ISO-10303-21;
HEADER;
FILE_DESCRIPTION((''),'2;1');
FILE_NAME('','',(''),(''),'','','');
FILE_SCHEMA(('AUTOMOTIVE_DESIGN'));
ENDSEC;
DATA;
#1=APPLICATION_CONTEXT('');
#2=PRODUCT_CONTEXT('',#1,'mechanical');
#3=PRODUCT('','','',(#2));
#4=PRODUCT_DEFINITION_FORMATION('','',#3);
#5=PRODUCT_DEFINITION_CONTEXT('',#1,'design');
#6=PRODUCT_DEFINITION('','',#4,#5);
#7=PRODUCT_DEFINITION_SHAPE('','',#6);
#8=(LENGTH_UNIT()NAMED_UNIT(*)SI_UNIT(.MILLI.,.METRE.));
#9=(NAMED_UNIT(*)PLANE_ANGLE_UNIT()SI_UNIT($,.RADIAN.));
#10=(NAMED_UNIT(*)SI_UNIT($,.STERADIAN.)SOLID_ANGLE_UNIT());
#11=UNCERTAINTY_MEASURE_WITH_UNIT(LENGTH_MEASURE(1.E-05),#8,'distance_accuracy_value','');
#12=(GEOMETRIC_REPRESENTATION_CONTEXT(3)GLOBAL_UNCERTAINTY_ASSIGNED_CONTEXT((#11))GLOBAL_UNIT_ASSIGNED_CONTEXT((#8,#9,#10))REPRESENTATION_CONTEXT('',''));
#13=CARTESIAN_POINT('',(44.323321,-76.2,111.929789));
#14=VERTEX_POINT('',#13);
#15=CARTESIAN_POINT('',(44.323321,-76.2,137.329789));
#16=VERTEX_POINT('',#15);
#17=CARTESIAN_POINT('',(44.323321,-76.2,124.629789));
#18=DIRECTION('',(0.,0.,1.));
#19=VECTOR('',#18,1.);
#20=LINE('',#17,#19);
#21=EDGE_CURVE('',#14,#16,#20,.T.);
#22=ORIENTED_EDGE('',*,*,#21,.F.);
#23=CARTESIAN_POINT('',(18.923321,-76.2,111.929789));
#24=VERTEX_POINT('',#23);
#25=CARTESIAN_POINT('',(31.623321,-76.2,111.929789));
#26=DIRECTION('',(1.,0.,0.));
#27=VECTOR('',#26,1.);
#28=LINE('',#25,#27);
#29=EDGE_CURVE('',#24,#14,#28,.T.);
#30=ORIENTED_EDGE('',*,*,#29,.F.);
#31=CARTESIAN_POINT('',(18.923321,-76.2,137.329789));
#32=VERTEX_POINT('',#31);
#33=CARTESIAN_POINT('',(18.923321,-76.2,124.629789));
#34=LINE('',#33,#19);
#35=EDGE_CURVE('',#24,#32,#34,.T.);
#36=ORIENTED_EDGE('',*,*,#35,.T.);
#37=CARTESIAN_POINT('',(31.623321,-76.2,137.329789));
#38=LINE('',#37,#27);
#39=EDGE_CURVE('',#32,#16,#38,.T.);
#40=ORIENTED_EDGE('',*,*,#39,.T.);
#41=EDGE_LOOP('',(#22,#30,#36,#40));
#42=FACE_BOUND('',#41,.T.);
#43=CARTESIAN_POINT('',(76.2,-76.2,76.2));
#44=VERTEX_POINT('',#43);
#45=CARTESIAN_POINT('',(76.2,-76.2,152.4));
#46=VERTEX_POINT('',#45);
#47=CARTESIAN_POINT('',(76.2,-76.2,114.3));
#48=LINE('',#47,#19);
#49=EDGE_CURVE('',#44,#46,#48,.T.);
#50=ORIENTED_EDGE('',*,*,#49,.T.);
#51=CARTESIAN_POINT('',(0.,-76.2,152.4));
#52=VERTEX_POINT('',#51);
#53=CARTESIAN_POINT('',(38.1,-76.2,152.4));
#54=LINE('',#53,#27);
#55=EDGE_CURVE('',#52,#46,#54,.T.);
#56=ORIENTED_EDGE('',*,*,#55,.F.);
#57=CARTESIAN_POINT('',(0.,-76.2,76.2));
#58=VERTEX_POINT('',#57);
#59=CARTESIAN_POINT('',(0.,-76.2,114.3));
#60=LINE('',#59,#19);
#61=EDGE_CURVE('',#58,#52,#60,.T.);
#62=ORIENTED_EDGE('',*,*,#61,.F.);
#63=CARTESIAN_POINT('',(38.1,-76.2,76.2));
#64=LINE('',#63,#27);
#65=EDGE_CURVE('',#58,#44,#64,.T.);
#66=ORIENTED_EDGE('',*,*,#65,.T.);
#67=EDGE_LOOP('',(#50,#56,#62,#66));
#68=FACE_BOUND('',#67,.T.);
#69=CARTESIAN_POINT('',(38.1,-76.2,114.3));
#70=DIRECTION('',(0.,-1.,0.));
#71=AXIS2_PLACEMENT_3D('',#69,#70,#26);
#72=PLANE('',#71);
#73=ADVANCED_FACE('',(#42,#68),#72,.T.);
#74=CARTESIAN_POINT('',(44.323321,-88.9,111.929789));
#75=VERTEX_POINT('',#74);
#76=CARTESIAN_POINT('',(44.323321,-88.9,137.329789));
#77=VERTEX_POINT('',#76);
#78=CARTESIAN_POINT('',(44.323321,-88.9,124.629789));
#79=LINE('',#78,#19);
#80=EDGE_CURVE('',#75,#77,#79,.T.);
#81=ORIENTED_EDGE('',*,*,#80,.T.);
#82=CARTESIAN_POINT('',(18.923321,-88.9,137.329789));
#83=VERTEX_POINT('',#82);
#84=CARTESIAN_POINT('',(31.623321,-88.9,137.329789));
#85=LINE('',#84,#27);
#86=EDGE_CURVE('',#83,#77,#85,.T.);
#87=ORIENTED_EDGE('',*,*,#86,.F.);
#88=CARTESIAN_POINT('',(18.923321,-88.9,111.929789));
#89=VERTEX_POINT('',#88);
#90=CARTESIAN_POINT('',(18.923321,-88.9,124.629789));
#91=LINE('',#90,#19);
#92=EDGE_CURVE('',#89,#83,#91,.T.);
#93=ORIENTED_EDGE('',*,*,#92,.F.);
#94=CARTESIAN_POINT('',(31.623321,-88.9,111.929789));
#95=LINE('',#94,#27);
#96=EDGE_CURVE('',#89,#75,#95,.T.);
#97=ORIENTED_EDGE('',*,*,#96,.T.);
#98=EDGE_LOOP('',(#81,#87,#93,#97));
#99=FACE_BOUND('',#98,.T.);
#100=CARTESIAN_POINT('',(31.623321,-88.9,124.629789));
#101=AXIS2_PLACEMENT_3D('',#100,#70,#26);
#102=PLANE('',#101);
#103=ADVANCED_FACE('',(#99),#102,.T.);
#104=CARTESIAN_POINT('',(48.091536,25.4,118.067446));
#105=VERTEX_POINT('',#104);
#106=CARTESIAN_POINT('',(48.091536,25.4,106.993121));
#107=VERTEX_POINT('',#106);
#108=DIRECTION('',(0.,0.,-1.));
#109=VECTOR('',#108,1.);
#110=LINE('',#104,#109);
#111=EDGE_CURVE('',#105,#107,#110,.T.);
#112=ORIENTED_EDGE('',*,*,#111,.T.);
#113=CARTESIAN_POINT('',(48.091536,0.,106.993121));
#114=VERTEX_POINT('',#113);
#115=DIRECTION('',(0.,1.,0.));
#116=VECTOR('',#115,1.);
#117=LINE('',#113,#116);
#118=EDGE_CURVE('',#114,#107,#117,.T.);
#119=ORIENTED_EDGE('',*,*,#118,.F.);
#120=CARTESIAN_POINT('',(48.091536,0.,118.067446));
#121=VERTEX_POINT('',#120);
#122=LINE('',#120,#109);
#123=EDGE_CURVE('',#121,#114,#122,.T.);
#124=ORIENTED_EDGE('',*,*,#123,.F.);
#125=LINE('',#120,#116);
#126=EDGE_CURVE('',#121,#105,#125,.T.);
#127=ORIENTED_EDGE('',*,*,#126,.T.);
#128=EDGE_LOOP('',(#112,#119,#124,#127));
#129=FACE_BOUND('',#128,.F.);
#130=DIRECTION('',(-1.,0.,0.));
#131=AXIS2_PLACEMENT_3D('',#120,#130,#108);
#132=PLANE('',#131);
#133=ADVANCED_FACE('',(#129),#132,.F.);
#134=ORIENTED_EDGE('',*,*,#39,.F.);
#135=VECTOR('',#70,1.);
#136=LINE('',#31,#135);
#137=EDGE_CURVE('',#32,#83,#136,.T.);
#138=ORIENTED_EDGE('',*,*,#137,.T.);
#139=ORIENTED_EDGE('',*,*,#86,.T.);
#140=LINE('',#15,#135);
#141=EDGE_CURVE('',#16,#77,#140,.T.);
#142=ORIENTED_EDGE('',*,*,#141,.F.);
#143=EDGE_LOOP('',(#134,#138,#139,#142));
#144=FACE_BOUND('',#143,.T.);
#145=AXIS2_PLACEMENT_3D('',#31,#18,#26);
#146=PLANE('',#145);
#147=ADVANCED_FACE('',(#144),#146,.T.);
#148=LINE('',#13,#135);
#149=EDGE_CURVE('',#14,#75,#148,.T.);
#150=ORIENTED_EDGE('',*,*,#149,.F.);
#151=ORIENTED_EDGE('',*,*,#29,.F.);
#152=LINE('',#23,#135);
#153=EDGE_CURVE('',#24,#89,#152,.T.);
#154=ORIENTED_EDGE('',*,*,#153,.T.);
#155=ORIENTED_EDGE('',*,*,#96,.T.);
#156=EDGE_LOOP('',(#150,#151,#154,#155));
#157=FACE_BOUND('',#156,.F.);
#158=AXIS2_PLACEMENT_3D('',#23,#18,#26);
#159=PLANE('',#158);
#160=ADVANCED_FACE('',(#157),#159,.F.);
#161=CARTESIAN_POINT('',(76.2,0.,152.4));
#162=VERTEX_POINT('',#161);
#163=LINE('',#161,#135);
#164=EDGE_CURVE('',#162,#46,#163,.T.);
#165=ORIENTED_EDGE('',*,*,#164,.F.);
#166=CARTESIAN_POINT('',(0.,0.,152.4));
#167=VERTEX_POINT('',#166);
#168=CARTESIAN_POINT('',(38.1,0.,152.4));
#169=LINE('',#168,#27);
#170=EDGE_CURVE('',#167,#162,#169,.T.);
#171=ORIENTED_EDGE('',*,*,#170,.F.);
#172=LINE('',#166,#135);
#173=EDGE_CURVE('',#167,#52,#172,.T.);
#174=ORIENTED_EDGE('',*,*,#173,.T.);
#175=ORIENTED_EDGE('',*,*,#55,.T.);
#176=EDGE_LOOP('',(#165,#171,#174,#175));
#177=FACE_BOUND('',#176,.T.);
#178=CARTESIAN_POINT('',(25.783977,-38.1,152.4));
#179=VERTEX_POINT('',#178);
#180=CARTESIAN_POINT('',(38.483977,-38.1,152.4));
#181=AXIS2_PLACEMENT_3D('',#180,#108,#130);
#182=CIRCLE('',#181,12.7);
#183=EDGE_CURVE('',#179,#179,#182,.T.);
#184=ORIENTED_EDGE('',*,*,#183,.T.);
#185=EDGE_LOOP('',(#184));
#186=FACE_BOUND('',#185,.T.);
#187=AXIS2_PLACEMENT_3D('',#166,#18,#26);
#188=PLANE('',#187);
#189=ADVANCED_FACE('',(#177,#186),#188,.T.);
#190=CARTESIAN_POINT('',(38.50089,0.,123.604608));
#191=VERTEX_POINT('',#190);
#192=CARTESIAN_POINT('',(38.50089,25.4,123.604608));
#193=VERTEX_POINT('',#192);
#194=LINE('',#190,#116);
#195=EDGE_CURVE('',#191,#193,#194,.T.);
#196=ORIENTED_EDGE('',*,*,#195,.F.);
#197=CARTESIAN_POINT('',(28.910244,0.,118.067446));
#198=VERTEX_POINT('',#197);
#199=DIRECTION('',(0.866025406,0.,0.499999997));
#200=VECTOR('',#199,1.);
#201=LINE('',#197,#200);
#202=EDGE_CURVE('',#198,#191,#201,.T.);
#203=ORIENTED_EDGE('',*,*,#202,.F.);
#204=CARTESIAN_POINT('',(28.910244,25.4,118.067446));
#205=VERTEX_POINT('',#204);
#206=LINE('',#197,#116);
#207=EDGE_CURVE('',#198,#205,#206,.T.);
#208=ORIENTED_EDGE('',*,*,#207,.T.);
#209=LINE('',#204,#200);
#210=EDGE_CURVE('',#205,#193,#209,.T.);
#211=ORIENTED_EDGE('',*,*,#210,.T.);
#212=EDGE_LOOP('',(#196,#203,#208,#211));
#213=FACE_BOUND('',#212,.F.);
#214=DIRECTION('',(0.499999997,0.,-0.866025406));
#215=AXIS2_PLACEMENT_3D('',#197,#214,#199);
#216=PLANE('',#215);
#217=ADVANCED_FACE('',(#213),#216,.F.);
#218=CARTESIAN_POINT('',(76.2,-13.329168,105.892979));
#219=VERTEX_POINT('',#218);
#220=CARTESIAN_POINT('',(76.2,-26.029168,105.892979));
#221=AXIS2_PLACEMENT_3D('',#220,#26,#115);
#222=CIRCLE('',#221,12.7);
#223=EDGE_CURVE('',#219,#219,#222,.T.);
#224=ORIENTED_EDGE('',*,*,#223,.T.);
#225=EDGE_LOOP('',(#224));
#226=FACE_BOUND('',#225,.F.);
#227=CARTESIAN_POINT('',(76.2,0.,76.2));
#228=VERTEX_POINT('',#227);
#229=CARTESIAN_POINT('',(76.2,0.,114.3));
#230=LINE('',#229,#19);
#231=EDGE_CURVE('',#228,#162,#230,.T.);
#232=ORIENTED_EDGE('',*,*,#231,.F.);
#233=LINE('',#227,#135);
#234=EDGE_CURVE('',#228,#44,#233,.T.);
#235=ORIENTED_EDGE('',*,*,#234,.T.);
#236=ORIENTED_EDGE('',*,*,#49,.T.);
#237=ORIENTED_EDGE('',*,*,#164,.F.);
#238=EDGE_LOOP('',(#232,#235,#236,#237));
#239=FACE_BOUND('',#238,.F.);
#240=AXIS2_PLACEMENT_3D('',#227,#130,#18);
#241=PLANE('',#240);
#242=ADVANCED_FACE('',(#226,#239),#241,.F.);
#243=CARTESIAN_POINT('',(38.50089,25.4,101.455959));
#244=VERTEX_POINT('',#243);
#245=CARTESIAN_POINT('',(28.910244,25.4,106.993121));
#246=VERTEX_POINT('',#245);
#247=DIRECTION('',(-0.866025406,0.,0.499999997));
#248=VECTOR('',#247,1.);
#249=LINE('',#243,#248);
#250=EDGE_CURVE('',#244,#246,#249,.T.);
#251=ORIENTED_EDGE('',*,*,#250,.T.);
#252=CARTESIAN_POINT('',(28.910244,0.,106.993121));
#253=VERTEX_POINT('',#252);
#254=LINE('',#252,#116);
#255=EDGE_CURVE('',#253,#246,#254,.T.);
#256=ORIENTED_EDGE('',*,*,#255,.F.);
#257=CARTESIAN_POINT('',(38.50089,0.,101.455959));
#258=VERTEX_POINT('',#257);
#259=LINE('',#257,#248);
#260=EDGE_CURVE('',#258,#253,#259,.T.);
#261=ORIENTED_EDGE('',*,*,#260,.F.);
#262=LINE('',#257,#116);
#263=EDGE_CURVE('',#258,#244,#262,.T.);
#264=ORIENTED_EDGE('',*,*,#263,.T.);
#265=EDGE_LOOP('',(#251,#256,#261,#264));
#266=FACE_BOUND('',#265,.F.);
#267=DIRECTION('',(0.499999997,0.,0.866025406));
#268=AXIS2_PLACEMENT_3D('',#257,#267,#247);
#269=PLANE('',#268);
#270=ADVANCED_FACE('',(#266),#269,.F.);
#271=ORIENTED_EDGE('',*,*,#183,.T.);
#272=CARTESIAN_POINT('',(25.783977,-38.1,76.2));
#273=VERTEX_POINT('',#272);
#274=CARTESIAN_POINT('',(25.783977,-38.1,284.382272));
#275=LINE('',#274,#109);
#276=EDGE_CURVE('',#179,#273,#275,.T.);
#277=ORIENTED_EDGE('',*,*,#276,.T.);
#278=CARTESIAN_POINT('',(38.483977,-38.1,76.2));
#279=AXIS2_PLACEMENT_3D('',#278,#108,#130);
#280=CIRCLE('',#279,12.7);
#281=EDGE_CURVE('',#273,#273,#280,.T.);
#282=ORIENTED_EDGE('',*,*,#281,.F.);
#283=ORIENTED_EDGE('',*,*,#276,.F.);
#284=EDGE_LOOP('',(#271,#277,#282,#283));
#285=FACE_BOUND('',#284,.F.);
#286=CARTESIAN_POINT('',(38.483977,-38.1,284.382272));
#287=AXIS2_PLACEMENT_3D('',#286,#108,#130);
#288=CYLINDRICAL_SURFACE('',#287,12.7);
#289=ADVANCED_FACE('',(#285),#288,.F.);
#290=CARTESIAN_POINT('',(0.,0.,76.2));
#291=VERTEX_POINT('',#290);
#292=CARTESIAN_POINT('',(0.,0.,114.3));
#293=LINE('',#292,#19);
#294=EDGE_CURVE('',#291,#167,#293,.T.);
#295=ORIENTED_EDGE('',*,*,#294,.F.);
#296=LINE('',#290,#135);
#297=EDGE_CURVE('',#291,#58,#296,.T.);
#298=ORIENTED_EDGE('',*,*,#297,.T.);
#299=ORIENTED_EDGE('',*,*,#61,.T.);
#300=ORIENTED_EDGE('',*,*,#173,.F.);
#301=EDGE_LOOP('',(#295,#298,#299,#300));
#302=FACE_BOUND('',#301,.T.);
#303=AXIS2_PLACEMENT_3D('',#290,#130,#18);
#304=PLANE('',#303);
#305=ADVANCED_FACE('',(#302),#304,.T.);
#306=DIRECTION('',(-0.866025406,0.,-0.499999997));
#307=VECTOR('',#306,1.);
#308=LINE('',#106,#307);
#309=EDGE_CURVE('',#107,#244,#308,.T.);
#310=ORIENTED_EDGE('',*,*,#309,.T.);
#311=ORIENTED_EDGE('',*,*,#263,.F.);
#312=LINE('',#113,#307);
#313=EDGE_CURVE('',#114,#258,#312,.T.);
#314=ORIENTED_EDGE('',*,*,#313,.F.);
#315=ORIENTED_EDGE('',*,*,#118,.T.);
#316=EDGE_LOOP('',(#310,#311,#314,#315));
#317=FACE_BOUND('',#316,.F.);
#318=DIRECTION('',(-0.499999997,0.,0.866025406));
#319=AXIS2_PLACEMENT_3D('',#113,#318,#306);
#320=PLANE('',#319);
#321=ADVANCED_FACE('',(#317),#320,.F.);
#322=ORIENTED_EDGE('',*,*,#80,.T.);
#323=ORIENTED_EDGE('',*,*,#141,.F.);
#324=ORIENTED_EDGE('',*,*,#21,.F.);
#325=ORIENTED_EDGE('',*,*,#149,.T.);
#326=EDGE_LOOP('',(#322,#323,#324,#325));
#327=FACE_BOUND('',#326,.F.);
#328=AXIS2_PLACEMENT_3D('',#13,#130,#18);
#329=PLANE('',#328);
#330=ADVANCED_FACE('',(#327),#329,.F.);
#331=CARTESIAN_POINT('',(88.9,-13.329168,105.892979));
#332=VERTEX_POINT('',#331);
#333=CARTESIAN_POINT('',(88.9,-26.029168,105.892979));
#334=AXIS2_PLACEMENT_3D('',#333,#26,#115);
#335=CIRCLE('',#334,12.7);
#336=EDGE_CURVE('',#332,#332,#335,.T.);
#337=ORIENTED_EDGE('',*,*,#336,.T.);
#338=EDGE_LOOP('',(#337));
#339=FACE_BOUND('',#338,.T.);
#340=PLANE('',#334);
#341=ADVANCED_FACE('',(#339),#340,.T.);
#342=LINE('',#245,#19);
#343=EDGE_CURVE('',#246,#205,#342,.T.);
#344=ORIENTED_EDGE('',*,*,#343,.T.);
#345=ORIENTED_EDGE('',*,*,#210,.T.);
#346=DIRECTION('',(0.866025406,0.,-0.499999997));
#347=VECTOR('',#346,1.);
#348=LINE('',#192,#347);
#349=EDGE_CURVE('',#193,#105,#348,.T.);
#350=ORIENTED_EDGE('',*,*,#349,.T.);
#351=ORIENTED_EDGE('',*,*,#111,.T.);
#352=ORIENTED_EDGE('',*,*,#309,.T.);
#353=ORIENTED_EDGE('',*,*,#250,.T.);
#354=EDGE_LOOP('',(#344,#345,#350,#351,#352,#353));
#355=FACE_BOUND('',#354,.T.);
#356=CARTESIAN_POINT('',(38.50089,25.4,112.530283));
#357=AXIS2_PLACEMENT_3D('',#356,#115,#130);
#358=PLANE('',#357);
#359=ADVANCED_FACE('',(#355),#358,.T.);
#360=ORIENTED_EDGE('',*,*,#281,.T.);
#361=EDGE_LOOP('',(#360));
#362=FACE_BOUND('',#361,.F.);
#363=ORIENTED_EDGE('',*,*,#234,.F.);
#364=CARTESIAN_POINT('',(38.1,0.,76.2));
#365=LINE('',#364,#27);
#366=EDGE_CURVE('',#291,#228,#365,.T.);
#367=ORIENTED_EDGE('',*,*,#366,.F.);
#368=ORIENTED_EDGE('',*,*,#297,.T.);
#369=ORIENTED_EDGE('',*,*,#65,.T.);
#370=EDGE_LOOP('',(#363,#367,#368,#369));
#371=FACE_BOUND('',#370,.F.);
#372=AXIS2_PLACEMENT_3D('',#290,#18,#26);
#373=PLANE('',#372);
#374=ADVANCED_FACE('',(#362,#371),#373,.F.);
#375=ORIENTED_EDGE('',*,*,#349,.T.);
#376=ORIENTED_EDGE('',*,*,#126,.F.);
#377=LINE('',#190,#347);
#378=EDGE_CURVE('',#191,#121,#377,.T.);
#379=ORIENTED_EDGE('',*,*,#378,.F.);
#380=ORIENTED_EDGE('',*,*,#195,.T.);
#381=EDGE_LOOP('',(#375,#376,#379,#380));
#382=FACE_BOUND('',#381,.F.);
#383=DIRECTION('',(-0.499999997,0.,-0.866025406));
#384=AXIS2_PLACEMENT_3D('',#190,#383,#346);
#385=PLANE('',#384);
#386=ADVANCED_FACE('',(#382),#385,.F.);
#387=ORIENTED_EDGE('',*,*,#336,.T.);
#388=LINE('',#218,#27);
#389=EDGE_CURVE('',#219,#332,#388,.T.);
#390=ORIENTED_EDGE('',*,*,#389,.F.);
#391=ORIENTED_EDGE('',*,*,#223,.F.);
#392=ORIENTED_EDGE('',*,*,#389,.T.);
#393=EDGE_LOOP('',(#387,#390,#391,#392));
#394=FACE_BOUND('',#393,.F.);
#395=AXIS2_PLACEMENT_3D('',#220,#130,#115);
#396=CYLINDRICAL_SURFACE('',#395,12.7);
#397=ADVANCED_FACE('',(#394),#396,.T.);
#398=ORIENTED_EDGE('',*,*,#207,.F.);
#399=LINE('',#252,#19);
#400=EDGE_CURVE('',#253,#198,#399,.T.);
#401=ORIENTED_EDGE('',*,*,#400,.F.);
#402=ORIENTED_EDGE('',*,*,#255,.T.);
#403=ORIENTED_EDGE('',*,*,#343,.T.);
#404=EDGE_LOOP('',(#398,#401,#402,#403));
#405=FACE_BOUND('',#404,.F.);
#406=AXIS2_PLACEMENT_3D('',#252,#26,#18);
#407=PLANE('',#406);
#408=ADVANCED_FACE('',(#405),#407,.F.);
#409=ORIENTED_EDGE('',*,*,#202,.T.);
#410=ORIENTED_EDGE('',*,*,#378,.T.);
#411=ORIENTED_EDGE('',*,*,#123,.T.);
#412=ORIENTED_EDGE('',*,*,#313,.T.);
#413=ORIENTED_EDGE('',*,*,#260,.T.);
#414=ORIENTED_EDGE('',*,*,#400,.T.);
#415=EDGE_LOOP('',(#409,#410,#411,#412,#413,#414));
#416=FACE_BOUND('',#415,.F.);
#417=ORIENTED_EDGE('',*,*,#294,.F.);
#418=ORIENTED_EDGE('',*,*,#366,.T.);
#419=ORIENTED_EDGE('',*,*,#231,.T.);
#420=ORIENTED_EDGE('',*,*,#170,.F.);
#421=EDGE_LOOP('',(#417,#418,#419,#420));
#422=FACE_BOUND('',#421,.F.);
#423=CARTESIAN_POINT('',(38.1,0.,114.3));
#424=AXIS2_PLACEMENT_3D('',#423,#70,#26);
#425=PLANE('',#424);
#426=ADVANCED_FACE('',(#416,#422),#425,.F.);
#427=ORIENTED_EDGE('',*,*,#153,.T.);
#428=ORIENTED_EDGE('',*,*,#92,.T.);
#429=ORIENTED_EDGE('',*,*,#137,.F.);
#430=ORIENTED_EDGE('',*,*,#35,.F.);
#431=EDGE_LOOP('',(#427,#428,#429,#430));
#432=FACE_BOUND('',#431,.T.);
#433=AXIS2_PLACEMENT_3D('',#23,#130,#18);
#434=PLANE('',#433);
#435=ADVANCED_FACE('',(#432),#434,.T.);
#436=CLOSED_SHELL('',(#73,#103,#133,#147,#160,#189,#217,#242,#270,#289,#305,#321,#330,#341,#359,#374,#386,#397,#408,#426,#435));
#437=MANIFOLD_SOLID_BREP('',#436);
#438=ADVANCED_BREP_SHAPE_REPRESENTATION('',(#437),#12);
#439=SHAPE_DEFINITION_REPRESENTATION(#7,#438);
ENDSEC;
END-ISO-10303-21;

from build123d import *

# Parameters (mm, degrees)
F0_W     = 76.2
F0_H     = 76.2
F1_DEPTH = 76.2
F3_D     = 25.4
F4_W     = 25.4
F4_H     = 25.4
F5_DEPTH = 12.7
F6_R     = 12.7
F7_DEPTH = 12.7
F9_DEPTH = 25.4


with BuildPart() as f1:
    # F0 (on Front) → F1 (new body)
    with BuildSketch(Plane.XZ):
        with Locations((38.1, 114.3)):
            Rectangle(F0_W, F0_H)
    extrude(amount=F1_DEPTH)

    # F3 (through all)
    with Locations(Plane.XY.offset(152.4)):
        with Locations((38.483977, -38.1)):
            Hole(F3_D / 2)

    # F4 (on face) → F5 (join)
    with BuildSketch(Plane.XZ.offset(76.2)):
        with Locations((31.623321, 124.629789)):
            Rectangle(F4_W, F4_H)
    extrude(amount=F5_DEPTH)

    # F6 (on face) → F7 (join)
    with BuildSketch(Plane.YZ.offset(76.2)):
        with Locations((-26.029168, 105.892979)):
            Circle(F6_R)
    extrude(amount=F7_DEPTH)

    # F8 (on face) → F9 (join)
    with BuildSketch(Plane(origin=(0, 0, 0), x_dir=(-1, 0, 0), z_dir=(0, 1, 0))):
        Polygon((-28.910244, 106.993121), (-28.910244, 118.067446), (-38.50089, 123.604608), (-48.091536, 118.067446), (-48.091536, 106.993121), (-38.50089, 101.455959), align=None)
    extrude(amount=F9_DEPTH)


solid = f1.part
